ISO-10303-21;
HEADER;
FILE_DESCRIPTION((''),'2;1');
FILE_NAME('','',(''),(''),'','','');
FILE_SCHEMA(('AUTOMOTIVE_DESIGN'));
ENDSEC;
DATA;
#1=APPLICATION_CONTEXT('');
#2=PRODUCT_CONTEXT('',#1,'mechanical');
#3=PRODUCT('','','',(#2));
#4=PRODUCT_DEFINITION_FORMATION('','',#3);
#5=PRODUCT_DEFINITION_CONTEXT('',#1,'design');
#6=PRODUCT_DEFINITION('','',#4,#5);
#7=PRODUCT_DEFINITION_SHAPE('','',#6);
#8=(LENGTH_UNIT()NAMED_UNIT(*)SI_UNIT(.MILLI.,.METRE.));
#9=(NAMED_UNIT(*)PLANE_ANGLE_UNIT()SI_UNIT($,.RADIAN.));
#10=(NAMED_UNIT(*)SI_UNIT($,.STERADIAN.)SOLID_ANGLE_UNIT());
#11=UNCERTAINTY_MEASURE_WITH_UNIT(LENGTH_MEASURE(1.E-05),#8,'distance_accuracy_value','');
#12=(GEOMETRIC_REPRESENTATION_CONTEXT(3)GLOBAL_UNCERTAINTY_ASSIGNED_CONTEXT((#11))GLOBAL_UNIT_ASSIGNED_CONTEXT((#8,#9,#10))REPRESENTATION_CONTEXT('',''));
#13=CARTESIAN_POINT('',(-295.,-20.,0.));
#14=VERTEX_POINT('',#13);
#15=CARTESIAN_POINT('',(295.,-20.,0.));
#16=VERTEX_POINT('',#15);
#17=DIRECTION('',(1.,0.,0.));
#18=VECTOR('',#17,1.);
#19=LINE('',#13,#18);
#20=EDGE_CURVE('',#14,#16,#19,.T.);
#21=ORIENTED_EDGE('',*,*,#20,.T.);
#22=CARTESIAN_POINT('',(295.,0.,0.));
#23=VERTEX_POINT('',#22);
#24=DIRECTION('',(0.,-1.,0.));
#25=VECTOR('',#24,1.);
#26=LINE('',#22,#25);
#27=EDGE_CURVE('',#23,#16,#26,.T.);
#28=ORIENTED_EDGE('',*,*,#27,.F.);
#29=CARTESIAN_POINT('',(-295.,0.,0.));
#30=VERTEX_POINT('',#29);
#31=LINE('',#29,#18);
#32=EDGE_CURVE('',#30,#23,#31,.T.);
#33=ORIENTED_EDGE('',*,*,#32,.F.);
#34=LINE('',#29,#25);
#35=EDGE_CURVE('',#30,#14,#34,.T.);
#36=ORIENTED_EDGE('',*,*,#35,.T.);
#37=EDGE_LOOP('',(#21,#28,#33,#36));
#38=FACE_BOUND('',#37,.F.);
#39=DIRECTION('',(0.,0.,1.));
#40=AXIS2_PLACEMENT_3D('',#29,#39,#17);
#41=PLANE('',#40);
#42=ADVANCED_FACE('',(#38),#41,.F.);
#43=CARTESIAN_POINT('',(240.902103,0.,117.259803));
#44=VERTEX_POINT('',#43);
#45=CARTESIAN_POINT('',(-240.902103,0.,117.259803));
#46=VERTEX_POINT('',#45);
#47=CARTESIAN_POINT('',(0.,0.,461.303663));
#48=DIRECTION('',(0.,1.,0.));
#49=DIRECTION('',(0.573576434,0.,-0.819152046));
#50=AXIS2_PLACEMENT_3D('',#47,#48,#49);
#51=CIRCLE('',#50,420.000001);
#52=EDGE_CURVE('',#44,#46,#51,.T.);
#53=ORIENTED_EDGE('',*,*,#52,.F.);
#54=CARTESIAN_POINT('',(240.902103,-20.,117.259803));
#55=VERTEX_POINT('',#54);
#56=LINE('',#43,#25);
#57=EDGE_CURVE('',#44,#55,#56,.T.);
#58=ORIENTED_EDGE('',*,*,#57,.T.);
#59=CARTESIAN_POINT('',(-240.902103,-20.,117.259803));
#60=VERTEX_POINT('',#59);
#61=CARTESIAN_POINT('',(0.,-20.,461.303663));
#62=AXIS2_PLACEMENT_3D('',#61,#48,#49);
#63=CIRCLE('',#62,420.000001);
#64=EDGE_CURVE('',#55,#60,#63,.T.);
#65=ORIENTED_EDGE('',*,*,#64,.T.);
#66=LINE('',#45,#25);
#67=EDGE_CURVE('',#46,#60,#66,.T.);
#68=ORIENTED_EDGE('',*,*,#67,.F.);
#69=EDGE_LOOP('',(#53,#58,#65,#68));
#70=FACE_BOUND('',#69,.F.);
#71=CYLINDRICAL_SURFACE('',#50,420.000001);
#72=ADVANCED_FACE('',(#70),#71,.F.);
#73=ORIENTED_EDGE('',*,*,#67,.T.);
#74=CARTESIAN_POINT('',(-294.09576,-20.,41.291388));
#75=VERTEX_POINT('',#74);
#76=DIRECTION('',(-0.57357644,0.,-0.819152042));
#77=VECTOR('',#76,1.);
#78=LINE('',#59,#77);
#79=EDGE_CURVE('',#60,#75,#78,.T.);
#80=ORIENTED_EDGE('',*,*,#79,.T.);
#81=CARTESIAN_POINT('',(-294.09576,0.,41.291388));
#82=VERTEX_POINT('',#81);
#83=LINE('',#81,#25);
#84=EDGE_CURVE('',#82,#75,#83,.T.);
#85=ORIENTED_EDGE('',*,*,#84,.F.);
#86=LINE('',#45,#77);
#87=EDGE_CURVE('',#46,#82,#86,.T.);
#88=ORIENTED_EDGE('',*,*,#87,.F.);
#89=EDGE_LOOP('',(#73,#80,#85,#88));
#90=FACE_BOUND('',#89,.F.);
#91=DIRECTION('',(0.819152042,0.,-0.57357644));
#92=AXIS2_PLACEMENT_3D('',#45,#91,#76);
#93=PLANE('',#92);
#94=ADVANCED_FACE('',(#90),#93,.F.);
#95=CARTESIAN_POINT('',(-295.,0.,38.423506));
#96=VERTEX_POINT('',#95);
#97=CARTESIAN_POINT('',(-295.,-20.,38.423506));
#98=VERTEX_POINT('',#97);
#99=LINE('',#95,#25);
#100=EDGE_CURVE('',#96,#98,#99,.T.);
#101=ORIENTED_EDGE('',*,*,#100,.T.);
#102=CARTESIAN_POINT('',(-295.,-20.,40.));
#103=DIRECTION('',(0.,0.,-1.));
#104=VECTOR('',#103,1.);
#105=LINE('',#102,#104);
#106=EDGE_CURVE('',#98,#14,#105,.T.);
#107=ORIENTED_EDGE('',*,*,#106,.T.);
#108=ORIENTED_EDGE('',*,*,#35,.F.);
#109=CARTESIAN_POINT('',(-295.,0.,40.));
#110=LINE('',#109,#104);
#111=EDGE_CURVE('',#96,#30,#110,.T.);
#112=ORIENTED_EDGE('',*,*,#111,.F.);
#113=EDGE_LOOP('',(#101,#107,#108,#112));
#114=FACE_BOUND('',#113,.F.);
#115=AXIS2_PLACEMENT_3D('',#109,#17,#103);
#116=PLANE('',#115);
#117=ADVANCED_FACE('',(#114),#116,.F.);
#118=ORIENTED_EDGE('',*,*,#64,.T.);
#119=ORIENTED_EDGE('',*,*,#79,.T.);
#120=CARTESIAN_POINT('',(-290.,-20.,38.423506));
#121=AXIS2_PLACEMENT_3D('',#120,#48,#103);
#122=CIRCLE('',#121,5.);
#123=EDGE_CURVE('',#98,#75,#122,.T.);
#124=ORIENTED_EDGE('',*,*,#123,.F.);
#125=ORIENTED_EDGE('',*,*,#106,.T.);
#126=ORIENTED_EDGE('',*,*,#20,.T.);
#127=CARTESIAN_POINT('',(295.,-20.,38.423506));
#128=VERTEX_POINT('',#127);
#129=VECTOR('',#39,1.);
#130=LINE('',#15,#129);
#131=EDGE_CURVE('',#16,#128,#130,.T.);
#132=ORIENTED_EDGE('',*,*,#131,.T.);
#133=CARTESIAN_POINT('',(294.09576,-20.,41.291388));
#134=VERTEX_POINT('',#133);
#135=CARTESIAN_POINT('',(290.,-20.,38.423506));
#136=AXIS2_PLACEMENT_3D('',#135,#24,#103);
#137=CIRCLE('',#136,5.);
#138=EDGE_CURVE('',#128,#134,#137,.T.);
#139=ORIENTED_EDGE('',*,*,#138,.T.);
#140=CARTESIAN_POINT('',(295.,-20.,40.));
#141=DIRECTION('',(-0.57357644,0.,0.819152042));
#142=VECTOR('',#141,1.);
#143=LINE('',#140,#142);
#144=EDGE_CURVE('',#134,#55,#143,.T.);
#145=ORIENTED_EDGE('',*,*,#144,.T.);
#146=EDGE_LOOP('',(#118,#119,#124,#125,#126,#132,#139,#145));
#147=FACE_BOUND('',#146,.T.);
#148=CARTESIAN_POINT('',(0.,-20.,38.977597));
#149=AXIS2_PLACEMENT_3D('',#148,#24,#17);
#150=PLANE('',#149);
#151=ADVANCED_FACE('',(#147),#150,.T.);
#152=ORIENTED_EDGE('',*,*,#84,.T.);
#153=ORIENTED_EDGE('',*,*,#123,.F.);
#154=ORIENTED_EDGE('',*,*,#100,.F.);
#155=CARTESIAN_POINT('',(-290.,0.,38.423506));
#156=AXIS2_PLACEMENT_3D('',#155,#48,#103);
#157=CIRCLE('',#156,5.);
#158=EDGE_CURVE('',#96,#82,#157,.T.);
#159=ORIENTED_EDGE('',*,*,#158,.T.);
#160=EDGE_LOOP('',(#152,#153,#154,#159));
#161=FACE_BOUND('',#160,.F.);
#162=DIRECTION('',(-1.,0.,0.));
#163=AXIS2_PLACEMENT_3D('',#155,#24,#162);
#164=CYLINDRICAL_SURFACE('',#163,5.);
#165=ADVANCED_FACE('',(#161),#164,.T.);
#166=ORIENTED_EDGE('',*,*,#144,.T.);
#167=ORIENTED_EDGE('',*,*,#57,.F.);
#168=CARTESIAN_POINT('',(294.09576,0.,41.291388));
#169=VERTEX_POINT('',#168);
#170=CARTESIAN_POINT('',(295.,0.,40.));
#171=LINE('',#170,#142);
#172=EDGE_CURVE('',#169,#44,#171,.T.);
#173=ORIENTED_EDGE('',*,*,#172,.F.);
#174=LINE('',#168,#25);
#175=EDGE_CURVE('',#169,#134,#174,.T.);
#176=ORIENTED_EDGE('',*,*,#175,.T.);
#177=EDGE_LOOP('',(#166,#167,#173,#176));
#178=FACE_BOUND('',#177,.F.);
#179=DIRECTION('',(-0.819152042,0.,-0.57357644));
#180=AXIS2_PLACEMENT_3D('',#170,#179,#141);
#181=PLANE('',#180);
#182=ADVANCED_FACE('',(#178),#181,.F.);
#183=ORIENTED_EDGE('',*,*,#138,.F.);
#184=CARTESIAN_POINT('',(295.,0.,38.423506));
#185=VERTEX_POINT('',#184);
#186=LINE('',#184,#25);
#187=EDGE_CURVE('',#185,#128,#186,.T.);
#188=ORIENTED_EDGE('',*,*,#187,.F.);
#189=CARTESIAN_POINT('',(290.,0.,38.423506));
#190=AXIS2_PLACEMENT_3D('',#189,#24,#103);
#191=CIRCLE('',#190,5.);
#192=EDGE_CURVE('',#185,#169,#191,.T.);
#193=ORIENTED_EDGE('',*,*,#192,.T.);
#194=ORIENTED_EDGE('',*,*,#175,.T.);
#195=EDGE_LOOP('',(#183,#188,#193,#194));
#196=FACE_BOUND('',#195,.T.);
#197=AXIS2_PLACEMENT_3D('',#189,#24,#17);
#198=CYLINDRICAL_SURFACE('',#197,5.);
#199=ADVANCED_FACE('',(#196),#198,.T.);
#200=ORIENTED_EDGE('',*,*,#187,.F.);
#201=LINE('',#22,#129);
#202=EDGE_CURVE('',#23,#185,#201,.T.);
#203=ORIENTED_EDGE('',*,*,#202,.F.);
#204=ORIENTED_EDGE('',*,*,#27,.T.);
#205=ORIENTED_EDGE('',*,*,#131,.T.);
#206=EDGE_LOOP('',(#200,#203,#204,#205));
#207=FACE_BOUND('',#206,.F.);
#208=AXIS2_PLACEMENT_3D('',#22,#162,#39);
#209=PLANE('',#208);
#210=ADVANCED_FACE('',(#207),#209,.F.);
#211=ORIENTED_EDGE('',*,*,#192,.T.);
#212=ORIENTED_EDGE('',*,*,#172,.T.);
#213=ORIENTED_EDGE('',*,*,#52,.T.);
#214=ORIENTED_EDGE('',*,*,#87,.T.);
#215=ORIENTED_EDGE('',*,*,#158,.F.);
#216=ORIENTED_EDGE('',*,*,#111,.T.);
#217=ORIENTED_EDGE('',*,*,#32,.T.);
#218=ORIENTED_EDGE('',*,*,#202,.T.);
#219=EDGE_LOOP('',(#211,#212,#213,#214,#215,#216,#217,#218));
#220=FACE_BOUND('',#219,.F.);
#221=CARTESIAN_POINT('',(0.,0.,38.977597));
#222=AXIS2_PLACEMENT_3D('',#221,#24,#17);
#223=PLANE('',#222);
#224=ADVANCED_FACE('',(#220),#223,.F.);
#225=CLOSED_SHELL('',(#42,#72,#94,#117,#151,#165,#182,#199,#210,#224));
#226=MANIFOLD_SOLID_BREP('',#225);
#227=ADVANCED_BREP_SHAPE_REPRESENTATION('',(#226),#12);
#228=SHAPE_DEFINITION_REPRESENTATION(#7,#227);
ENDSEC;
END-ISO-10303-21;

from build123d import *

# Parameters (mm, degrees)
F1_DEPTH = 20
F2_R     = 5


with BuildPart() as f1:
    # F0 (on Front) → F1 (new body)
    with BuildSketch(Plane.XZ):
        with BuildLine():
            Line((-295, 40), (-295, 0))
            Line((-295, 0), (295, 0))
            Line((295, 0), (295, 40))
            Line((295, 40), (240.902103, 117.259803))
            ThreePointArc((240.902103, 117.259803), (0, 41.303662), (-240.902103, 117.259803))
            Line((-240.902103, 117.259803), (-295, 40))
        make_face()
    extrude(amount=F1_DEPTH)

    # F2
    f2_edges = [f1.edges().sort_by_distance(p)[0] for p in [
        (-295, -10, 40),
        (295, -10, 40),
    ]]
    fillet(f2_edges, radius=F2_R)


solid = f1.part
